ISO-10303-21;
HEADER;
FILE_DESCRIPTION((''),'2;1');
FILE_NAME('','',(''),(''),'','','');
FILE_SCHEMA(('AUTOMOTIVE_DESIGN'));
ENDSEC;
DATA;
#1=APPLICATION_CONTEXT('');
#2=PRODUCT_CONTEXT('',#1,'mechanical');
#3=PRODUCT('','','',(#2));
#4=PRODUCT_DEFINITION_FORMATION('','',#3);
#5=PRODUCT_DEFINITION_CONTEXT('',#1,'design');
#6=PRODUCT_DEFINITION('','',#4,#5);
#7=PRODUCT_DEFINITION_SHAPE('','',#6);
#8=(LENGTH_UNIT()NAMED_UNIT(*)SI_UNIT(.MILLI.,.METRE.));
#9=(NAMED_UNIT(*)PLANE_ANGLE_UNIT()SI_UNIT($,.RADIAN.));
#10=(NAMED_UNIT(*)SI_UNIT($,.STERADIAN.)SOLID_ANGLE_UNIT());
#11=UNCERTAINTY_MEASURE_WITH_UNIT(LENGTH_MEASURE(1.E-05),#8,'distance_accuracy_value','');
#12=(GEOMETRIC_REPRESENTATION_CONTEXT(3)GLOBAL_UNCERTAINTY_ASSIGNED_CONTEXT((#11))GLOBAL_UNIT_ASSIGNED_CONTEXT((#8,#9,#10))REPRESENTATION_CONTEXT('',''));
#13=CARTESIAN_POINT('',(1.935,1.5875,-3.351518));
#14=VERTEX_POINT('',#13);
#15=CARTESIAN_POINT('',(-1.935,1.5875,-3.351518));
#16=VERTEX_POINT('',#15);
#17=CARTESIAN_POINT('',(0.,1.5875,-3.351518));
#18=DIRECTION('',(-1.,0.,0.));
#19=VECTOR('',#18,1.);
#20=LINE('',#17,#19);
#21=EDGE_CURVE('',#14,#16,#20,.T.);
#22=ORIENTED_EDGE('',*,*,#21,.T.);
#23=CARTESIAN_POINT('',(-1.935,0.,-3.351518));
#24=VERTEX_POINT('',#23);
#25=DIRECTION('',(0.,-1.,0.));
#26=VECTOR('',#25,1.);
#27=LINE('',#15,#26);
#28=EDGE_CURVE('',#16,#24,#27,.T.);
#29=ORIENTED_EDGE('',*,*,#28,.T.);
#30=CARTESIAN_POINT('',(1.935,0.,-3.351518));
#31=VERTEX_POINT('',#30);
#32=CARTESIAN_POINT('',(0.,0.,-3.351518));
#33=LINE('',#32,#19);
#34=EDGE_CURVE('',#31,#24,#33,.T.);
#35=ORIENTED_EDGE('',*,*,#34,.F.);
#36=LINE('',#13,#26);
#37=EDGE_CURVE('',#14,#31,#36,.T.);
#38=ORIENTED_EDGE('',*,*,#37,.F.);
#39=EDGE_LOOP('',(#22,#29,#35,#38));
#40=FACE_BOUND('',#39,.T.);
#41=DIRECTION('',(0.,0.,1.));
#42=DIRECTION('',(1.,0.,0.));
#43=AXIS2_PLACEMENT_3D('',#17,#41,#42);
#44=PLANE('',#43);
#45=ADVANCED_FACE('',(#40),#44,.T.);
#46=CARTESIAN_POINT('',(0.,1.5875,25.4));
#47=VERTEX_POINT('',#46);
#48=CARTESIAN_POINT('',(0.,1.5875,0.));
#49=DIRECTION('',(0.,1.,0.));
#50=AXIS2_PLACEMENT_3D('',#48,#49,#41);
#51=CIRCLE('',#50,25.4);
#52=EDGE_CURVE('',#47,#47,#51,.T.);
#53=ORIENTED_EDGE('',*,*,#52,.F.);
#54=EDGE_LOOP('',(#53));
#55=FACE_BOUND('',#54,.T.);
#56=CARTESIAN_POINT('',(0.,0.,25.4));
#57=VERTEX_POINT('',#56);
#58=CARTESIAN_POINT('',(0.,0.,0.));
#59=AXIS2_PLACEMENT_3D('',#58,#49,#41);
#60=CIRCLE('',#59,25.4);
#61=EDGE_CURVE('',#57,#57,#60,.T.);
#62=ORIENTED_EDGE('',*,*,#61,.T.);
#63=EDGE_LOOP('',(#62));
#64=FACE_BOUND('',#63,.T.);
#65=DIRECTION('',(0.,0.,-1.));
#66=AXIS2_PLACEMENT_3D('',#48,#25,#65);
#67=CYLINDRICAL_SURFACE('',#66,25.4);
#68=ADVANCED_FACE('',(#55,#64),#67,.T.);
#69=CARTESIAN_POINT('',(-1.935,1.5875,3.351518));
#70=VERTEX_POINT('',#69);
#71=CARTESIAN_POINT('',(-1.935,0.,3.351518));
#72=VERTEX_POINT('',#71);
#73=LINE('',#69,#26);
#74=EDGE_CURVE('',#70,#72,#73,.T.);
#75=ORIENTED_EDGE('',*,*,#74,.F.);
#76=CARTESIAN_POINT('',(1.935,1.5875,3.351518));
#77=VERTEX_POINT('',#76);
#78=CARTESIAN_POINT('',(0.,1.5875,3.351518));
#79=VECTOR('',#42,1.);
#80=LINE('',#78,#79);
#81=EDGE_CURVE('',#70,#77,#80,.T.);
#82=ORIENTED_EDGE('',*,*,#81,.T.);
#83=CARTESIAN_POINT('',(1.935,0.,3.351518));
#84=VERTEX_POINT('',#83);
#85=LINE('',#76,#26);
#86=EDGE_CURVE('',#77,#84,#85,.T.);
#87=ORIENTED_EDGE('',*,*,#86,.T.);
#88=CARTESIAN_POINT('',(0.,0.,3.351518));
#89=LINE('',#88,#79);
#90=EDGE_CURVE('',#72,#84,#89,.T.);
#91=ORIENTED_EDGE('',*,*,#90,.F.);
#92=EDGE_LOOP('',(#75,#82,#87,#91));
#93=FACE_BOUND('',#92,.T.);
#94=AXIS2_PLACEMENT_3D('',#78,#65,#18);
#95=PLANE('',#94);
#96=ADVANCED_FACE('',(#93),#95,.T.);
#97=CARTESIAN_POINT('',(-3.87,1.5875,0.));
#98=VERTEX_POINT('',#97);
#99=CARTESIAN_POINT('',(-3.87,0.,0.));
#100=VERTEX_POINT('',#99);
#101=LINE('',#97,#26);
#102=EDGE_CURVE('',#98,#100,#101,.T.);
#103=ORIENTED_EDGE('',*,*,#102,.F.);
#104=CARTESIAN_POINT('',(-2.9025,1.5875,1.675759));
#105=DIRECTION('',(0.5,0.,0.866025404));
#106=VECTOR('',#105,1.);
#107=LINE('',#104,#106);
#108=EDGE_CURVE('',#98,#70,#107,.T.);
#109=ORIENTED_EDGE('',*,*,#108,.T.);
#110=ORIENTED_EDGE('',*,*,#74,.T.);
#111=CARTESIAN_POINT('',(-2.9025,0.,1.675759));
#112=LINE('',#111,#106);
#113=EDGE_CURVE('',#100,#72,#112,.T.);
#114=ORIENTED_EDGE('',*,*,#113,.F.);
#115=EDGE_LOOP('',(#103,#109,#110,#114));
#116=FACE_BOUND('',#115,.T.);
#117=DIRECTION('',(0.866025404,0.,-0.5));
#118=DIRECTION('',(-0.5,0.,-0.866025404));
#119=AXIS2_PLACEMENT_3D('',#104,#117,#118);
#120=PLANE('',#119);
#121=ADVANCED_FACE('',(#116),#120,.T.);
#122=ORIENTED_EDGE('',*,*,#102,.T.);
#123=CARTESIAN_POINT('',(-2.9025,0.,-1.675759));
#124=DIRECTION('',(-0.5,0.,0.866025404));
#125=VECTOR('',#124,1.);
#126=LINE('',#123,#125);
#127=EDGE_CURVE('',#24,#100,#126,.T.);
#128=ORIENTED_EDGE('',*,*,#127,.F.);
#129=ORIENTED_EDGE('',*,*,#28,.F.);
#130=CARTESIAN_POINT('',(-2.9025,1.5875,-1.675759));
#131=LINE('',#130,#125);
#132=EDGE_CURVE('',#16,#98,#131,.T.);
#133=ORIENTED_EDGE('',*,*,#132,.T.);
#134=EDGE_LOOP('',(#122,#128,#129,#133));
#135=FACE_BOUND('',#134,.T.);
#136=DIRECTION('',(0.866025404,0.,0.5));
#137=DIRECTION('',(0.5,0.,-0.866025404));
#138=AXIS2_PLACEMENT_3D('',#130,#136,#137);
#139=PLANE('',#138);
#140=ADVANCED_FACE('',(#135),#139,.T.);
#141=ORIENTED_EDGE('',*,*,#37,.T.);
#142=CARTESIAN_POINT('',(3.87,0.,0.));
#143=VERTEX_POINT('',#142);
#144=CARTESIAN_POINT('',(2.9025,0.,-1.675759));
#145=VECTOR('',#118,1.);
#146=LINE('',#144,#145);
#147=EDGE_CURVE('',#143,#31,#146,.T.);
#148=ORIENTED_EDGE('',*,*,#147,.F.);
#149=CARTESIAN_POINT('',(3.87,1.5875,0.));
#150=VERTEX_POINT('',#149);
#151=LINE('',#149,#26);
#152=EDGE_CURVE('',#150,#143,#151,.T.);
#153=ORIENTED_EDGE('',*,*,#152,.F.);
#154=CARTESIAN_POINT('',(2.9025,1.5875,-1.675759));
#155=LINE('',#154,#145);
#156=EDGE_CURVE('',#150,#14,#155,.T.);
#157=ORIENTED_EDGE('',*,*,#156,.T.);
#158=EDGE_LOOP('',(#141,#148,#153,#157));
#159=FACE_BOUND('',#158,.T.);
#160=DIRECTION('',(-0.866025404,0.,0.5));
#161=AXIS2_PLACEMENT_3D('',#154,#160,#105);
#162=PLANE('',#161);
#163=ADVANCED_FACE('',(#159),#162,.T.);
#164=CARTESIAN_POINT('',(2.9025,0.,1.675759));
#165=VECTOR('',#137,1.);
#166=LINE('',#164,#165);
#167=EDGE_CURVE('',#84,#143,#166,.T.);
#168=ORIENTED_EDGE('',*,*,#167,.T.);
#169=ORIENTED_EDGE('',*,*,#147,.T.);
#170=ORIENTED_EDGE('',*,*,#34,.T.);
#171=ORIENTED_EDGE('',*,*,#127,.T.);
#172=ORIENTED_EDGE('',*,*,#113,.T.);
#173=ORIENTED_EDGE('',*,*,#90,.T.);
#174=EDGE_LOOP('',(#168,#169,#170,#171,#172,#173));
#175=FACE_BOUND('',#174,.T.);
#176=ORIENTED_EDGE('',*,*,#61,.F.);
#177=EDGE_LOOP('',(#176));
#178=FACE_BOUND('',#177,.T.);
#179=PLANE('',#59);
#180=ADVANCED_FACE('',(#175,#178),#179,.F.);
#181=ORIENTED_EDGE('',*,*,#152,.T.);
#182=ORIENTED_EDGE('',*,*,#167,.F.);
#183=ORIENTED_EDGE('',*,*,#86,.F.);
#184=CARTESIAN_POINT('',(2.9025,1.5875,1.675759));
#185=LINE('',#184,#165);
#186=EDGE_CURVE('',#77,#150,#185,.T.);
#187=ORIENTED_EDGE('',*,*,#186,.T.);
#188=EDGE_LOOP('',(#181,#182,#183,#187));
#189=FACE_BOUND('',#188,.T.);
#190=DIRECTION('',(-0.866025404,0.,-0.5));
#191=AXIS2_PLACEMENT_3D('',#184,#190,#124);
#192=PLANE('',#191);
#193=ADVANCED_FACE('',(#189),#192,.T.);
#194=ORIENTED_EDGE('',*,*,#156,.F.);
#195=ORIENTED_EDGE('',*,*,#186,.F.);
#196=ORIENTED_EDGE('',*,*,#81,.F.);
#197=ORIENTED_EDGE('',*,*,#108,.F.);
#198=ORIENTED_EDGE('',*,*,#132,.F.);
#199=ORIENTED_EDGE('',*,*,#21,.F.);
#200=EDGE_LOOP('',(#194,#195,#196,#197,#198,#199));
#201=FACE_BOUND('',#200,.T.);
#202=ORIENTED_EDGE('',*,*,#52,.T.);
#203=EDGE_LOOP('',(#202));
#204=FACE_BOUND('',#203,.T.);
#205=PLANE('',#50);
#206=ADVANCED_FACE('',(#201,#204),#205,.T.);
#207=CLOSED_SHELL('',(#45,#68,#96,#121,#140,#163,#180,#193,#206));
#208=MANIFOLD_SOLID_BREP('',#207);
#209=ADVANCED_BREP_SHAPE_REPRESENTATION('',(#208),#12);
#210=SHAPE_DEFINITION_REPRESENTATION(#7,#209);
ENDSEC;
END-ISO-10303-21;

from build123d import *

# Parameters (mm, degrees)
SKETCH2_R           = 25.4
BOSS_EXTRUDE2_DEPTH = 1.5875


with BuildPart() as part:
    # Sketch2 → Boss-Extrude2 (new body)
    with BuildSketch(Plane(origin=(0, 0, 0), x_dir=(1, 0, 0), z_dir=(0, 1, 0))):
        with Locations(Location((0, 0, 0), (0, 0, 270))):
            Circle(SKETCH2_R)
        Polygon((3.87, 0), (1.935, 3.351518313), (-1.935, 3.351518313), (-3.87, 0), (-1.935, -3.351518313), (1.935, -3.351518313), align=None, mode=Mode.SUBTRACT)
    extrude(amount=BOSS_EXTRUDE2_DEPTH)


solid = part.part
